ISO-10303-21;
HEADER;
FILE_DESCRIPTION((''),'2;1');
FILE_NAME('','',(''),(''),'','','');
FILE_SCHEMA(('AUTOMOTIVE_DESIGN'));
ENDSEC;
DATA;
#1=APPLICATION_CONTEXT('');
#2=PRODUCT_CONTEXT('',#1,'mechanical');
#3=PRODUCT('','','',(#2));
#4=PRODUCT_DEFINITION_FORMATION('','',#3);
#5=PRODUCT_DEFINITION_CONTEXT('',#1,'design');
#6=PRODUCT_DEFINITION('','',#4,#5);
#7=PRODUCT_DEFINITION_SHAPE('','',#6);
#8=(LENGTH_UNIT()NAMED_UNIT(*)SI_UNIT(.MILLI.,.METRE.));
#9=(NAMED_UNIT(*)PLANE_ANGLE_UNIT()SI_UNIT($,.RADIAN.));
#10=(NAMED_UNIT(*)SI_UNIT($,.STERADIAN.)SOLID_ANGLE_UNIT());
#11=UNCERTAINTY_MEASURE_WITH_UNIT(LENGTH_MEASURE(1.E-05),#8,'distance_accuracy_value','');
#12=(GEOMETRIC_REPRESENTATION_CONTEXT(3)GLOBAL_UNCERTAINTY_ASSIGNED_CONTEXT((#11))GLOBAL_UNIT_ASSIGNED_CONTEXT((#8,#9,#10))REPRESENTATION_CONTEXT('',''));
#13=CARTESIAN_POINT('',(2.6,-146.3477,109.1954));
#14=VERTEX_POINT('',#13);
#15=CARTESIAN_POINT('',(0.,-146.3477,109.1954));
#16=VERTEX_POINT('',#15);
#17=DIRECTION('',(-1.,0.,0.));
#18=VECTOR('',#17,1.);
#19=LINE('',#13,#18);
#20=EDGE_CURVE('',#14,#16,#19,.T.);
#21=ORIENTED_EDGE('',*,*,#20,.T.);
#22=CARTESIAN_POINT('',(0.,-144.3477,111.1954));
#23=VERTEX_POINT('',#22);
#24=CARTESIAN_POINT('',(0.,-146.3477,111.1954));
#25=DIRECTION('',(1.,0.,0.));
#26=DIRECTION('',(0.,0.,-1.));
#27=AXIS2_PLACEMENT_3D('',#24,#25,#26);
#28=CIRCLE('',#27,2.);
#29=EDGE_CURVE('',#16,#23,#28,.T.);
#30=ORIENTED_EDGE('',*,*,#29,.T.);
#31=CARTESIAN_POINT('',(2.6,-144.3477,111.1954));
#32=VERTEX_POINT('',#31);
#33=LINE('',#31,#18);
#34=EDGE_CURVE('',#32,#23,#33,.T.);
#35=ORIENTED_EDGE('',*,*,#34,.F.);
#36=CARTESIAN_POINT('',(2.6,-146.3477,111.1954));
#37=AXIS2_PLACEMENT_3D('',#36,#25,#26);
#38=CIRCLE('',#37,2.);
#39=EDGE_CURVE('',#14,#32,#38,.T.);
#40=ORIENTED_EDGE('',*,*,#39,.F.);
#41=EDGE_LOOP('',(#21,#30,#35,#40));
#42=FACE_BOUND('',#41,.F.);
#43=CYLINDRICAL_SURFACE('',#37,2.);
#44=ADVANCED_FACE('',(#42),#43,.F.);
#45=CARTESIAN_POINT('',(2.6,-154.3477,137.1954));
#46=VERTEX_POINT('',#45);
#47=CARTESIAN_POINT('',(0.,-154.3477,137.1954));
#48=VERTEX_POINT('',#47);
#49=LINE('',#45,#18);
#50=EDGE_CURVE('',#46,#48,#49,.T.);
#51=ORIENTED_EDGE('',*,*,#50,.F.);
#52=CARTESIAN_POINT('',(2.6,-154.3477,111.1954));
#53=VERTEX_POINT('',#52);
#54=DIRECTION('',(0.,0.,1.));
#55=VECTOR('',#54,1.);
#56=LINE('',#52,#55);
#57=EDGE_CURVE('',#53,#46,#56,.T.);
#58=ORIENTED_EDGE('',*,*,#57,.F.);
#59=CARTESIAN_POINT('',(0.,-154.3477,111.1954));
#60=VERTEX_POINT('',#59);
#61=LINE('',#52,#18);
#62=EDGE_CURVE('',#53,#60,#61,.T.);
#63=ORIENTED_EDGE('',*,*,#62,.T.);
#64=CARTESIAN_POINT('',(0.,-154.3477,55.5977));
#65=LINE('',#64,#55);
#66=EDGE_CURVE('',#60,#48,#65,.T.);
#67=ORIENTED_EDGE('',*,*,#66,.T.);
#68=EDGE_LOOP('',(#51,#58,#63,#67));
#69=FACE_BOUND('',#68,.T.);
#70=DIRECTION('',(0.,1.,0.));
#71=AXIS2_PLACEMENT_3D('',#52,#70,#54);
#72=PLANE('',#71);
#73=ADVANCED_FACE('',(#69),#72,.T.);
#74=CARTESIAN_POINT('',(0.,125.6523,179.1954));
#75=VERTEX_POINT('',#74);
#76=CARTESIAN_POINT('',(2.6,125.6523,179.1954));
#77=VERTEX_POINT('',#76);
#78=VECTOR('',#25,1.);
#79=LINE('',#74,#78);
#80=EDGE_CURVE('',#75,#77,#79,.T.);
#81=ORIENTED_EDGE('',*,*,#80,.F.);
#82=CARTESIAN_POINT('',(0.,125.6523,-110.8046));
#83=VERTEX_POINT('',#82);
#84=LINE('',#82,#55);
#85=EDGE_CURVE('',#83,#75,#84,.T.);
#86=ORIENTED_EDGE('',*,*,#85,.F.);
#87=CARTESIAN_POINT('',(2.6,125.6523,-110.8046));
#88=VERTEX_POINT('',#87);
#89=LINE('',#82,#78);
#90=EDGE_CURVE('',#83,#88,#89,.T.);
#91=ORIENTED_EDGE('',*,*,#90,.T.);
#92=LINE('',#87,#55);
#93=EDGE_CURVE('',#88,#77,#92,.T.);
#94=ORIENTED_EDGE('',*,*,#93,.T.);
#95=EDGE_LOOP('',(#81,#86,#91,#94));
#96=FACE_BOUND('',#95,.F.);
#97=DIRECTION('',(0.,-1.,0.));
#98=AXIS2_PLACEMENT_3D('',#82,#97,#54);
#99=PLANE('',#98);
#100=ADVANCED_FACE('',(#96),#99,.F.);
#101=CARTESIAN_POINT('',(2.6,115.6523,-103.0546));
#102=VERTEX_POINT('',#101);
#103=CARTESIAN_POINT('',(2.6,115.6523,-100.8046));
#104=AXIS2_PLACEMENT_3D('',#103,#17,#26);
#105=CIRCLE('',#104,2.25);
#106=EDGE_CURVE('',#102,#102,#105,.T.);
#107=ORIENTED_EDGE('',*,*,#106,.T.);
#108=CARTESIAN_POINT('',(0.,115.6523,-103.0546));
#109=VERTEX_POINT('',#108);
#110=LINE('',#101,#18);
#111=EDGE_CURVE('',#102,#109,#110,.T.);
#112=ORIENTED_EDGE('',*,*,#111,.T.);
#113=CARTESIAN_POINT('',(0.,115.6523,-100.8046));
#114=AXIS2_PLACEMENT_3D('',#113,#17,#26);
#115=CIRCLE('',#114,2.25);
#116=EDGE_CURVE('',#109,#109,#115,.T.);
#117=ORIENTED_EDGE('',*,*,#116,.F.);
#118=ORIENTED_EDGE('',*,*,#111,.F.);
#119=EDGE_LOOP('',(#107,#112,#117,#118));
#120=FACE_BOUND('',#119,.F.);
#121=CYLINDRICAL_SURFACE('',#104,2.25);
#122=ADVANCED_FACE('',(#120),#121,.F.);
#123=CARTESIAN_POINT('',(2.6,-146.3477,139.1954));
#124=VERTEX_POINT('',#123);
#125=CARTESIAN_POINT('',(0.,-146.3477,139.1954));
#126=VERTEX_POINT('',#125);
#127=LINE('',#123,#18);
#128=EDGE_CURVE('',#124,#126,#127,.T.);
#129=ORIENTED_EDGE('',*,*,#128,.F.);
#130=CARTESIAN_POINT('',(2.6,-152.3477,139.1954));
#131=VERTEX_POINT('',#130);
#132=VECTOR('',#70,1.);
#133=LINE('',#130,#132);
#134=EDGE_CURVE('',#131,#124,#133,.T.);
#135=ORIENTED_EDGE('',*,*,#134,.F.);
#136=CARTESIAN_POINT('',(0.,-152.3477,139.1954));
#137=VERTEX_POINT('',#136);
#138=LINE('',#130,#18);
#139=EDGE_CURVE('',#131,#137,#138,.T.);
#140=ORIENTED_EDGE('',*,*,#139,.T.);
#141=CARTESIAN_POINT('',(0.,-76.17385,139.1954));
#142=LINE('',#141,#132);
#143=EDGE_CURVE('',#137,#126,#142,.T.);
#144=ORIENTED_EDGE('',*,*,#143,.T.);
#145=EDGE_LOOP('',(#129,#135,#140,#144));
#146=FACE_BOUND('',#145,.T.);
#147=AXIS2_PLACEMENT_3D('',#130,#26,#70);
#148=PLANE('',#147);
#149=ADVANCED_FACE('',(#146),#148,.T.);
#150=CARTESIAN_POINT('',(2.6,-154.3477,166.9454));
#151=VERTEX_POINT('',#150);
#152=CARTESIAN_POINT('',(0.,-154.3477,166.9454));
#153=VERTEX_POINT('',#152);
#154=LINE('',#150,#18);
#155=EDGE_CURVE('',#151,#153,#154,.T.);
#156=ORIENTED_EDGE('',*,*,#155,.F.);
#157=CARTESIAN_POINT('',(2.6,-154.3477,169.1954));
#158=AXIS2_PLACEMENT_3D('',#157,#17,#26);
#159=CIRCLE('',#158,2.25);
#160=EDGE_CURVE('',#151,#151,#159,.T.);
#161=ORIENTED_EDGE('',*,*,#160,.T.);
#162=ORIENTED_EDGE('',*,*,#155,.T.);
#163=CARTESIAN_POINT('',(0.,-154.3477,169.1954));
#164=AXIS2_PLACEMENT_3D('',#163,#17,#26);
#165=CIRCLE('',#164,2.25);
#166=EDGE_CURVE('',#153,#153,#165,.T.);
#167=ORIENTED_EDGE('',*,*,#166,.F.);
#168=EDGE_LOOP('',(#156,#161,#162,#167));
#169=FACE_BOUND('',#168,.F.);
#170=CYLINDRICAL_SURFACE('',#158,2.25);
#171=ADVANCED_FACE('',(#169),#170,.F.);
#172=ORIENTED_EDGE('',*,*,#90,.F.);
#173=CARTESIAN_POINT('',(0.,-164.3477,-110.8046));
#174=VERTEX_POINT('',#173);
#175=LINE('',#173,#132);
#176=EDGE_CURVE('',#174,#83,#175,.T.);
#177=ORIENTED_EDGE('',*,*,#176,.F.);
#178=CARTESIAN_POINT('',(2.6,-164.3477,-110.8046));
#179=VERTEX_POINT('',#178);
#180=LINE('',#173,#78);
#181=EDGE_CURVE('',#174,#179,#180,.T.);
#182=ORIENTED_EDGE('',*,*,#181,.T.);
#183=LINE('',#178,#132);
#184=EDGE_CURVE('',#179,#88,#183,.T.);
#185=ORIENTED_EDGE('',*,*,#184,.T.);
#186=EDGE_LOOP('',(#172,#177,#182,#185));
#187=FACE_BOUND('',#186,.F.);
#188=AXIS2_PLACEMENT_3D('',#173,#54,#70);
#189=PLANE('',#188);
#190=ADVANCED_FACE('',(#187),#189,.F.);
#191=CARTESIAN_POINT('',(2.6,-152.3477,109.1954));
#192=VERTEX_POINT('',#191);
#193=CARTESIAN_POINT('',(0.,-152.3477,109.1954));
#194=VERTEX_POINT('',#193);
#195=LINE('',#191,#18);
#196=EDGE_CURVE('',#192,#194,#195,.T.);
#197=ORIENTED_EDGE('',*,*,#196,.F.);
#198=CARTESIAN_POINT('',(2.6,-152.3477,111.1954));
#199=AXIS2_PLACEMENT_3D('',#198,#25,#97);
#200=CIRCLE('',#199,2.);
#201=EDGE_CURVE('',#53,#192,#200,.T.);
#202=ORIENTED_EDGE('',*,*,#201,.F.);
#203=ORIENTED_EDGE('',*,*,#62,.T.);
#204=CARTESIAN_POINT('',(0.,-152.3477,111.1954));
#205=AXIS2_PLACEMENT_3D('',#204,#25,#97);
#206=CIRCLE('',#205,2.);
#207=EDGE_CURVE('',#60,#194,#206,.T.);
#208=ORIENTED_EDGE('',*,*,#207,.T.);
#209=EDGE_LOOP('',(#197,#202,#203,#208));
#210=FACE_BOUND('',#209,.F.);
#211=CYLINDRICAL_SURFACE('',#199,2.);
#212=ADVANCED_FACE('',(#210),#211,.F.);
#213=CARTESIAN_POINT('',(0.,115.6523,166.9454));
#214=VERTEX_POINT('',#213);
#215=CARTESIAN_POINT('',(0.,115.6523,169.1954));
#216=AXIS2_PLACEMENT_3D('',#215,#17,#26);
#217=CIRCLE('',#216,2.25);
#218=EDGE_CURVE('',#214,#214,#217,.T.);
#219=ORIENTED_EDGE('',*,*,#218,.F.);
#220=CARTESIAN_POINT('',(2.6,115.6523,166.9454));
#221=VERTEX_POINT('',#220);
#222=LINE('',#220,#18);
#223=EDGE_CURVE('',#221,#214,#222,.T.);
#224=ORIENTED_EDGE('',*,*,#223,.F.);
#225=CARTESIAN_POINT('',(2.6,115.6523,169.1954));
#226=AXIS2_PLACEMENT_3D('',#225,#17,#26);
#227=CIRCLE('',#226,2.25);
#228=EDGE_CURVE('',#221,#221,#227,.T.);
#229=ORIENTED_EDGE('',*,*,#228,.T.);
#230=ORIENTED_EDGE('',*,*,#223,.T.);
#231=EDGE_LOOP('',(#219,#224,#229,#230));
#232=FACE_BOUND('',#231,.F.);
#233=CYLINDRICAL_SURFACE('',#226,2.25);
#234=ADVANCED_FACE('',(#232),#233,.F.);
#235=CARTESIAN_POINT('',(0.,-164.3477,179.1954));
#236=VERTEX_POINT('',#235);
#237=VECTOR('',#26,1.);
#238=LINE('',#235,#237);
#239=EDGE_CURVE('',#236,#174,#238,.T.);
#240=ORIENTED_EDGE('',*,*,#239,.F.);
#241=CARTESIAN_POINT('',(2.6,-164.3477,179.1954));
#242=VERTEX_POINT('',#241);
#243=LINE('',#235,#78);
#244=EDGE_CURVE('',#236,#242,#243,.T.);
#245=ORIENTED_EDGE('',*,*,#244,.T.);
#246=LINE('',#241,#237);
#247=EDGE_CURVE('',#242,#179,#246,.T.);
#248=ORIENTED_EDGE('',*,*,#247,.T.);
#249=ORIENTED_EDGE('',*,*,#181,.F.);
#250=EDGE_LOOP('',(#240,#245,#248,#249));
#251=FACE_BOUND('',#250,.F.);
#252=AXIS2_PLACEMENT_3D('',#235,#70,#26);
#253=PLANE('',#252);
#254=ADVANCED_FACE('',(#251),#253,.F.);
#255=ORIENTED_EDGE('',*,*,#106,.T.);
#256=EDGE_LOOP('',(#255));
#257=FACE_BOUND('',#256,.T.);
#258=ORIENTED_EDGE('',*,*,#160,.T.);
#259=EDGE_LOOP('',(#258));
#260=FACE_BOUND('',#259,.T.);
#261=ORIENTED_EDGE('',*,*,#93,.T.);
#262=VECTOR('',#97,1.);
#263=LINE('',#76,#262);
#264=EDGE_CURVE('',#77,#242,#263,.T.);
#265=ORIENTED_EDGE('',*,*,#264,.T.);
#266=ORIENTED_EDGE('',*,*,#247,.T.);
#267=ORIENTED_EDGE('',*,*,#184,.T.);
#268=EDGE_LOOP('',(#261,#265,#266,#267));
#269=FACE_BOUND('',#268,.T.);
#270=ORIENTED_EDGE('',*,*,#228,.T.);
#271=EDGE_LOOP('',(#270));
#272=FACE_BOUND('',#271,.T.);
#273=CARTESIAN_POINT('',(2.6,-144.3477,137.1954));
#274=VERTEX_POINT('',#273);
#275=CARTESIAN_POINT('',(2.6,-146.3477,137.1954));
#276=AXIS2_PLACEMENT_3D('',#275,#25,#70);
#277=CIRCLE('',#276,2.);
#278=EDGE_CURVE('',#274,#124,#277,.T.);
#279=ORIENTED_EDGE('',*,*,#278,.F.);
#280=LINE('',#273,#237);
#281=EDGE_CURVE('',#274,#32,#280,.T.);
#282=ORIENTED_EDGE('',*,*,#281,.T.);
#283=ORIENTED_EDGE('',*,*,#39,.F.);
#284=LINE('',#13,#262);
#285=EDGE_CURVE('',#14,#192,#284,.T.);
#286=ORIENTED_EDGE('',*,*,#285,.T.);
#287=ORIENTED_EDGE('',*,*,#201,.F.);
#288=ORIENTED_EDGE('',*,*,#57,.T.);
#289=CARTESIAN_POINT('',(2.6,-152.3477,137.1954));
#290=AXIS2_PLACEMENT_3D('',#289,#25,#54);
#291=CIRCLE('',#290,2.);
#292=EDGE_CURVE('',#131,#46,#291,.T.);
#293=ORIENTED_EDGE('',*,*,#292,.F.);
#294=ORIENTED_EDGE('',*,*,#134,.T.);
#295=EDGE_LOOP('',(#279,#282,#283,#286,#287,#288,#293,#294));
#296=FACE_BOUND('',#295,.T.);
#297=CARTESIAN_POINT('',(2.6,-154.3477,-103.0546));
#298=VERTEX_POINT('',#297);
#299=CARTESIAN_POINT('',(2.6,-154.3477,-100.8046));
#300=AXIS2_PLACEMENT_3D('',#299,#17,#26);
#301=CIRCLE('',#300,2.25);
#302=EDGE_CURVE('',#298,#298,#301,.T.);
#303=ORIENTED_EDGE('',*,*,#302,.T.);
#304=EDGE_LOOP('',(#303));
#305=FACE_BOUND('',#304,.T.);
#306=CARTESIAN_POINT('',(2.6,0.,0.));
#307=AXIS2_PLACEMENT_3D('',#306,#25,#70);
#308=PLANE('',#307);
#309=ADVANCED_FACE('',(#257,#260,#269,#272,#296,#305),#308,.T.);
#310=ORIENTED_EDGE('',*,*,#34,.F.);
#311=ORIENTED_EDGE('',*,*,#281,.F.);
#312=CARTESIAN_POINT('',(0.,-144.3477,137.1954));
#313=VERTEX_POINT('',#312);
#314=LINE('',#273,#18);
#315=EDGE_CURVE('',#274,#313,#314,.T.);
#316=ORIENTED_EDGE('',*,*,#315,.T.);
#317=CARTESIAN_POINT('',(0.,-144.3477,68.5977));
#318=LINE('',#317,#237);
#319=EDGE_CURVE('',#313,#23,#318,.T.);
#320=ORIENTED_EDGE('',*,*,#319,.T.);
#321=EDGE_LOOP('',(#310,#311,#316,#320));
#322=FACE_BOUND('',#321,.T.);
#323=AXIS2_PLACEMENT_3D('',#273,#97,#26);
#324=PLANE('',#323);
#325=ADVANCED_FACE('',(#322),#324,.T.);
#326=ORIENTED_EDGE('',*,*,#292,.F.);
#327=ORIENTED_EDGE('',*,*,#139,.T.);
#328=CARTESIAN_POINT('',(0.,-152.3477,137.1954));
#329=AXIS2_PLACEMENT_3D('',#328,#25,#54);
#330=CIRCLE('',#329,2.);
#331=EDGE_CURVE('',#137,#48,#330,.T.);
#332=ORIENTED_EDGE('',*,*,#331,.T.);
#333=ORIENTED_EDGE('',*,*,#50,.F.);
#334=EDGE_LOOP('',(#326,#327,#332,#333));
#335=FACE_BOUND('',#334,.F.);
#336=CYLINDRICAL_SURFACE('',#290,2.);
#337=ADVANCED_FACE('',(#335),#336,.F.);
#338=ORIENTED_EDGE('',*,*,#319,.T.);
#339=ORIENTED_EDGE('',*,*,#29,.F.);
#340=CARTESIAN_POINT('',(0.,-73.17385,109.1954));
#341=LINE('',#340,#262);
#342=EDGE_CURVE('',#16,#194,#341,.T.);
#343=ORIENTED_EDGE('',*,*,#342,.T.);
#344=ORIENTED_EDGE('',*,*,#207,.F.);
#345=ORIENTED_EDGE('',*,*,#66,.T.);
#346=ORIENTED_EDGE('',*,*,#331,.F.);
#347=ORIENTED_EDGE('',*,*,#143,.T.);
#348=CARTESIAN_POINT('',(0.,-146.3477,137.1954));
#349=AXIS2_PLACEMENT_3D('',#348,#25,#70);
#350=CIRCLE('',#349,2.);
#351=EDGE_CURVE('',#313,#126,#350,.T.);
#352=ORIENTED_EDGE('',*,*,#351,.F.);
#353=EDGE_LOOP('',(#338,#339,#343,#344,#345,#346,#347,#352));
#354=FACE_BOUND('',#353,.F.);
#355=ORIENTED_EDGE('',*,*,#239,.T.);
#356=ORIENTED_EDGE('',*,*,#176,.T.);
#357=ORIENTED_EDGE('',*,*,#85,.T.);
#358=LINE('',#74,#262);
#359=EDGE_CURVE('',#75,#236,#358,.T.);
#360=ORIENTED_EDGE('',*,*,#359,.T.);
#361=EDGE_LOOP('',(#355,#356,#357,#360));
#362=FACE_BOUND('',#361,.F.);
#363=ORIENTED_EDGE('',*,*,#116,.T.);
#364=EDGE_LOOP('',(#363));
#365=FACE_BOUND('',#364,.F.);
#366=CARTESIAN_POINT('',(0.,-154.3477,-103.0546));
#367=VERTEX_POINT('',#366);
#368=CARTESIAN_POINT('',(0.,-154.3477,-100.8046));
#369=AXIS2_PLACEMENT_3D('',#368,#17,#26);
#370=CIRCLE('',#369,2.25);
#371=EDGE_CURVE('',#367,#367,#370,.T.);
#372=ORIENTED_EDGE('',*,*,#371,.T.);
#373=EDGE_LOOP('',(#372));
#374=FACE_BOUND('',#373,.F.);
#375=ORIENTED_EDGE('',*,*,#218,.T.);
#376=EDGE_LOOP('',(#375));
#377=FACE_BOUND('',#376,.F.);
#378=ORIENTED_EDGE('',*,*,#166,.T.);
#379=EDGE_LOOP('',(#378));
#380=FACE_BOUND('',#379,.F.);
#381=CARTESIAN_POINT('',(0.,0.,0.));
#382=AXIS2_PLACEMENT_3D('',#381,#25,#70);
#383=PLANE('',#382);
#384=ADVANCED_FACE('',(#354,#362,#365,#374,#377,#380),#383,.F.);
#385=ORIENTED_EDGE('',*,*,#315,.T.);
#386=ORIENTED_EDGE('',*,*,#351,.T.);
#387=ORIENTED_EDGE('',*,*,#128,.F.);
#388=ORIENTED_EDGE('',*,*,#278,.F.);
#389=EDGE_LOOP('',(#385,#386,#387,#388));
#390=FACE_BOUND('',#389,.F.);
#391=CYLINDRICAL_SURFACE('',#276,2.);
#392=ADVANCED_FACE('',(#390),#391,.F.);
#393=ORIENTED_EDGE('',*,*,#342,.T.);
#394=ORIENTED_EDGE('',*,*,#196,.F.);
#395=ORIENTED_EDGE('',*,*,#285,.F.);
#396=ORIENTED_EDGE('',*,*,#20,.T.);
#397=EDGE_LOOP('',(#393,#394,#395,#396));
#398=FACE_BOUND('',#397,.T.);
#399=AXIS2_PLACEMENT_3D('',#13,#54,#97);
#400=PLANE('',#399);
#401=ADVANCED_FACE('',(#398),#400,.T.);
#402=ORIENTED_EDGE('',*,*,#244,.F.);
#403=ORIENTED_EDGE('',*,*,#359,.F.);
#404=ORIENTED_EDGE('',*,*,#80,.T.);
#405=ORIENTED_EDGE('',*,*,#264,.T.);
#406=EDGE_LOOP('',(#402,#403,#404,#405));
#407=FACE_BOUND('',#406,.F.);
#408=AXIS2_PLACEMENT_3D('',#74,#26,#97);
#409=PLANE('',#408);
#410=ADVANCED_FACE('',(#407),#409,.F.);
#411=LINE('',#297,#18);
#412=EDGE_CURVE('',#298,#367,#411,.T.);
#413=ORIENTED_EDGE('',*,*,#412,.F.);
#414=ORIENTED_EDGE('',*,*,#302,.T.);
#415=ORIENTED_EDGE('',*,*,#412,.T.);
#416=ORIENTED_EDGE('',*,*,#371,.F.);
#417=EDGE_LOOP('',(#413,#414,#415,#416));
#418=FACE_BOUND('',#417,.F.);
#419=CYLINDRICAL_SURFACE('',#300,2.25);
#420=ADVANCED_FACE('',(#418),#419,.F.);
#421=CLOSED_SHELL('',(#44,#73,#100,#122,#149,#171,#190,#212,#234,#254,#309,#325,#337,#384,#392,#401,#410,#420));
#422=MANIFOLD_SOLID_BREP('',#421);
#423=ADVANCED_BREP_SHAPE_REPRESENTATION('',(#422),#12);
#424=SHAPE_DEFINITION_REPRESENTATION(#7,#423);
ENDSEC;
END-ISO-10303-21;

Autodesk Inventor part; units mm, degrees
ref_plane "YZ Plane" through (0, 0, 0) normal (1, 0, 0) x (0, 1, 0)
ref_plane "XZ Plane" through (0, 0, 0) normal (0, 1, 0) x (-1, 0, 0)
ref_plane "XY Plane" through (0, 0, 0) normal (0, 0, 1) x (1, 0, 0)
sketch "スケッチ1" plane through (0, 0, 0) normal (1, 0, 0) x (0, 1, 0)
  line L0 (125.6523, 179.1954) -> (-164.3477, 179.1954)
  line L1 (-164.3477, 179.1954) -> (-164.3477, -110.8046)
  line L2 (-164.3477, -110.8046) -> (125.6523, -110.8046)
  line L3 (125.6523, -110.8046) -> (125.6523, 179.1954)
  point P0 (0, 0)
  dimension "d0" = 290
  dimension "d1" = 290
extrude "押し出し1" add sketch "スケッチ1" along normal blind 2.6
sketch "スケッチ2" plane through (2.6, 0, 0) normal (1, 0, 0) x (0, 0, -1)
  line L0 (-179.1954, 125.6523) -> (-179.1954, -164.3477) projected
  line L1 (-179.1954, -164.3477) -> (110.8046, -164.3477) projected
  line L2 (110.8046, -164.3477) -> (110.8046, 125.6523) projected
  line L3 (110.8046, 125.6523) -> (-179.1954, 125.6523) projected
  line L4 (-34.1954, -19.3477) -> (-34.1954, 125.6523)
  line L5 (110.8046, 125.6523) -> (-179.1954, 125.6523) projected
  line L6 (-34.1954, -19.3477) -> (110.8046, -19.3477)
  point P0 (0, 0)
  point P1 (-169.1954, 115.6523)
  point P2 (100.8046, 115.6523)
  point P3 (-169.1954, -154.3477)
  point P4 (100.8046, -154.3477)
  dimension "d4" = 10
  dimension "d5" = 10
hole "穴1" at (2.6, 115.6523, 169.1954) at (2.6, 115.6523, -100.8046) at (2.6, -154.3477, 169.1954) at (2.6, -154.3477, -100.8046) direction (-1, 0, 0) diameter 4.5 depth 10 tip angle 118
sketch "スケッチ4" plane through (2.6, 0, 0) normal (1, 0, 0) x (0, 0, -1)
  arc A0 (-111.1954, -154.3477) -> (-109.1954, -152.3477) centre (-111.1954, -152.3477) ccw projected
  line L0 (-111.1954, -154.3477) -> (-137.1954, -154.3477) projected
  arc A1 (-139.1954, -152.3477) -> (-137.1954, -154.3477) centre (-137.1954, -152.3477) ccw projected
  line L1 (-139.1954, -152.3477) -> (-139.1954, -146.3477) projected
  arc A2 (-137.1954, -144.3477) -> (-139.1954, -146.3477) centre (-137.1954, -146.3477) ccw projected
  line L2 (-137.1954, -144.3477) -> (-111.1954, -144.3477) projected
  arc A3 (-109.1954, -146.3477) -> (-111.1954, -144.3477) centre (-111.1954, -146.3477) ccw projected
  line L3 (-109.1954, -146.3477) -> (-109.1954, -152.3477) projected
  point P0 (0, 0)
extrude "押し出し3" cut sketch "スケッチ4" against normal through all
properties part number "lc_box_side" material "ポリカーボネート、クリア"
